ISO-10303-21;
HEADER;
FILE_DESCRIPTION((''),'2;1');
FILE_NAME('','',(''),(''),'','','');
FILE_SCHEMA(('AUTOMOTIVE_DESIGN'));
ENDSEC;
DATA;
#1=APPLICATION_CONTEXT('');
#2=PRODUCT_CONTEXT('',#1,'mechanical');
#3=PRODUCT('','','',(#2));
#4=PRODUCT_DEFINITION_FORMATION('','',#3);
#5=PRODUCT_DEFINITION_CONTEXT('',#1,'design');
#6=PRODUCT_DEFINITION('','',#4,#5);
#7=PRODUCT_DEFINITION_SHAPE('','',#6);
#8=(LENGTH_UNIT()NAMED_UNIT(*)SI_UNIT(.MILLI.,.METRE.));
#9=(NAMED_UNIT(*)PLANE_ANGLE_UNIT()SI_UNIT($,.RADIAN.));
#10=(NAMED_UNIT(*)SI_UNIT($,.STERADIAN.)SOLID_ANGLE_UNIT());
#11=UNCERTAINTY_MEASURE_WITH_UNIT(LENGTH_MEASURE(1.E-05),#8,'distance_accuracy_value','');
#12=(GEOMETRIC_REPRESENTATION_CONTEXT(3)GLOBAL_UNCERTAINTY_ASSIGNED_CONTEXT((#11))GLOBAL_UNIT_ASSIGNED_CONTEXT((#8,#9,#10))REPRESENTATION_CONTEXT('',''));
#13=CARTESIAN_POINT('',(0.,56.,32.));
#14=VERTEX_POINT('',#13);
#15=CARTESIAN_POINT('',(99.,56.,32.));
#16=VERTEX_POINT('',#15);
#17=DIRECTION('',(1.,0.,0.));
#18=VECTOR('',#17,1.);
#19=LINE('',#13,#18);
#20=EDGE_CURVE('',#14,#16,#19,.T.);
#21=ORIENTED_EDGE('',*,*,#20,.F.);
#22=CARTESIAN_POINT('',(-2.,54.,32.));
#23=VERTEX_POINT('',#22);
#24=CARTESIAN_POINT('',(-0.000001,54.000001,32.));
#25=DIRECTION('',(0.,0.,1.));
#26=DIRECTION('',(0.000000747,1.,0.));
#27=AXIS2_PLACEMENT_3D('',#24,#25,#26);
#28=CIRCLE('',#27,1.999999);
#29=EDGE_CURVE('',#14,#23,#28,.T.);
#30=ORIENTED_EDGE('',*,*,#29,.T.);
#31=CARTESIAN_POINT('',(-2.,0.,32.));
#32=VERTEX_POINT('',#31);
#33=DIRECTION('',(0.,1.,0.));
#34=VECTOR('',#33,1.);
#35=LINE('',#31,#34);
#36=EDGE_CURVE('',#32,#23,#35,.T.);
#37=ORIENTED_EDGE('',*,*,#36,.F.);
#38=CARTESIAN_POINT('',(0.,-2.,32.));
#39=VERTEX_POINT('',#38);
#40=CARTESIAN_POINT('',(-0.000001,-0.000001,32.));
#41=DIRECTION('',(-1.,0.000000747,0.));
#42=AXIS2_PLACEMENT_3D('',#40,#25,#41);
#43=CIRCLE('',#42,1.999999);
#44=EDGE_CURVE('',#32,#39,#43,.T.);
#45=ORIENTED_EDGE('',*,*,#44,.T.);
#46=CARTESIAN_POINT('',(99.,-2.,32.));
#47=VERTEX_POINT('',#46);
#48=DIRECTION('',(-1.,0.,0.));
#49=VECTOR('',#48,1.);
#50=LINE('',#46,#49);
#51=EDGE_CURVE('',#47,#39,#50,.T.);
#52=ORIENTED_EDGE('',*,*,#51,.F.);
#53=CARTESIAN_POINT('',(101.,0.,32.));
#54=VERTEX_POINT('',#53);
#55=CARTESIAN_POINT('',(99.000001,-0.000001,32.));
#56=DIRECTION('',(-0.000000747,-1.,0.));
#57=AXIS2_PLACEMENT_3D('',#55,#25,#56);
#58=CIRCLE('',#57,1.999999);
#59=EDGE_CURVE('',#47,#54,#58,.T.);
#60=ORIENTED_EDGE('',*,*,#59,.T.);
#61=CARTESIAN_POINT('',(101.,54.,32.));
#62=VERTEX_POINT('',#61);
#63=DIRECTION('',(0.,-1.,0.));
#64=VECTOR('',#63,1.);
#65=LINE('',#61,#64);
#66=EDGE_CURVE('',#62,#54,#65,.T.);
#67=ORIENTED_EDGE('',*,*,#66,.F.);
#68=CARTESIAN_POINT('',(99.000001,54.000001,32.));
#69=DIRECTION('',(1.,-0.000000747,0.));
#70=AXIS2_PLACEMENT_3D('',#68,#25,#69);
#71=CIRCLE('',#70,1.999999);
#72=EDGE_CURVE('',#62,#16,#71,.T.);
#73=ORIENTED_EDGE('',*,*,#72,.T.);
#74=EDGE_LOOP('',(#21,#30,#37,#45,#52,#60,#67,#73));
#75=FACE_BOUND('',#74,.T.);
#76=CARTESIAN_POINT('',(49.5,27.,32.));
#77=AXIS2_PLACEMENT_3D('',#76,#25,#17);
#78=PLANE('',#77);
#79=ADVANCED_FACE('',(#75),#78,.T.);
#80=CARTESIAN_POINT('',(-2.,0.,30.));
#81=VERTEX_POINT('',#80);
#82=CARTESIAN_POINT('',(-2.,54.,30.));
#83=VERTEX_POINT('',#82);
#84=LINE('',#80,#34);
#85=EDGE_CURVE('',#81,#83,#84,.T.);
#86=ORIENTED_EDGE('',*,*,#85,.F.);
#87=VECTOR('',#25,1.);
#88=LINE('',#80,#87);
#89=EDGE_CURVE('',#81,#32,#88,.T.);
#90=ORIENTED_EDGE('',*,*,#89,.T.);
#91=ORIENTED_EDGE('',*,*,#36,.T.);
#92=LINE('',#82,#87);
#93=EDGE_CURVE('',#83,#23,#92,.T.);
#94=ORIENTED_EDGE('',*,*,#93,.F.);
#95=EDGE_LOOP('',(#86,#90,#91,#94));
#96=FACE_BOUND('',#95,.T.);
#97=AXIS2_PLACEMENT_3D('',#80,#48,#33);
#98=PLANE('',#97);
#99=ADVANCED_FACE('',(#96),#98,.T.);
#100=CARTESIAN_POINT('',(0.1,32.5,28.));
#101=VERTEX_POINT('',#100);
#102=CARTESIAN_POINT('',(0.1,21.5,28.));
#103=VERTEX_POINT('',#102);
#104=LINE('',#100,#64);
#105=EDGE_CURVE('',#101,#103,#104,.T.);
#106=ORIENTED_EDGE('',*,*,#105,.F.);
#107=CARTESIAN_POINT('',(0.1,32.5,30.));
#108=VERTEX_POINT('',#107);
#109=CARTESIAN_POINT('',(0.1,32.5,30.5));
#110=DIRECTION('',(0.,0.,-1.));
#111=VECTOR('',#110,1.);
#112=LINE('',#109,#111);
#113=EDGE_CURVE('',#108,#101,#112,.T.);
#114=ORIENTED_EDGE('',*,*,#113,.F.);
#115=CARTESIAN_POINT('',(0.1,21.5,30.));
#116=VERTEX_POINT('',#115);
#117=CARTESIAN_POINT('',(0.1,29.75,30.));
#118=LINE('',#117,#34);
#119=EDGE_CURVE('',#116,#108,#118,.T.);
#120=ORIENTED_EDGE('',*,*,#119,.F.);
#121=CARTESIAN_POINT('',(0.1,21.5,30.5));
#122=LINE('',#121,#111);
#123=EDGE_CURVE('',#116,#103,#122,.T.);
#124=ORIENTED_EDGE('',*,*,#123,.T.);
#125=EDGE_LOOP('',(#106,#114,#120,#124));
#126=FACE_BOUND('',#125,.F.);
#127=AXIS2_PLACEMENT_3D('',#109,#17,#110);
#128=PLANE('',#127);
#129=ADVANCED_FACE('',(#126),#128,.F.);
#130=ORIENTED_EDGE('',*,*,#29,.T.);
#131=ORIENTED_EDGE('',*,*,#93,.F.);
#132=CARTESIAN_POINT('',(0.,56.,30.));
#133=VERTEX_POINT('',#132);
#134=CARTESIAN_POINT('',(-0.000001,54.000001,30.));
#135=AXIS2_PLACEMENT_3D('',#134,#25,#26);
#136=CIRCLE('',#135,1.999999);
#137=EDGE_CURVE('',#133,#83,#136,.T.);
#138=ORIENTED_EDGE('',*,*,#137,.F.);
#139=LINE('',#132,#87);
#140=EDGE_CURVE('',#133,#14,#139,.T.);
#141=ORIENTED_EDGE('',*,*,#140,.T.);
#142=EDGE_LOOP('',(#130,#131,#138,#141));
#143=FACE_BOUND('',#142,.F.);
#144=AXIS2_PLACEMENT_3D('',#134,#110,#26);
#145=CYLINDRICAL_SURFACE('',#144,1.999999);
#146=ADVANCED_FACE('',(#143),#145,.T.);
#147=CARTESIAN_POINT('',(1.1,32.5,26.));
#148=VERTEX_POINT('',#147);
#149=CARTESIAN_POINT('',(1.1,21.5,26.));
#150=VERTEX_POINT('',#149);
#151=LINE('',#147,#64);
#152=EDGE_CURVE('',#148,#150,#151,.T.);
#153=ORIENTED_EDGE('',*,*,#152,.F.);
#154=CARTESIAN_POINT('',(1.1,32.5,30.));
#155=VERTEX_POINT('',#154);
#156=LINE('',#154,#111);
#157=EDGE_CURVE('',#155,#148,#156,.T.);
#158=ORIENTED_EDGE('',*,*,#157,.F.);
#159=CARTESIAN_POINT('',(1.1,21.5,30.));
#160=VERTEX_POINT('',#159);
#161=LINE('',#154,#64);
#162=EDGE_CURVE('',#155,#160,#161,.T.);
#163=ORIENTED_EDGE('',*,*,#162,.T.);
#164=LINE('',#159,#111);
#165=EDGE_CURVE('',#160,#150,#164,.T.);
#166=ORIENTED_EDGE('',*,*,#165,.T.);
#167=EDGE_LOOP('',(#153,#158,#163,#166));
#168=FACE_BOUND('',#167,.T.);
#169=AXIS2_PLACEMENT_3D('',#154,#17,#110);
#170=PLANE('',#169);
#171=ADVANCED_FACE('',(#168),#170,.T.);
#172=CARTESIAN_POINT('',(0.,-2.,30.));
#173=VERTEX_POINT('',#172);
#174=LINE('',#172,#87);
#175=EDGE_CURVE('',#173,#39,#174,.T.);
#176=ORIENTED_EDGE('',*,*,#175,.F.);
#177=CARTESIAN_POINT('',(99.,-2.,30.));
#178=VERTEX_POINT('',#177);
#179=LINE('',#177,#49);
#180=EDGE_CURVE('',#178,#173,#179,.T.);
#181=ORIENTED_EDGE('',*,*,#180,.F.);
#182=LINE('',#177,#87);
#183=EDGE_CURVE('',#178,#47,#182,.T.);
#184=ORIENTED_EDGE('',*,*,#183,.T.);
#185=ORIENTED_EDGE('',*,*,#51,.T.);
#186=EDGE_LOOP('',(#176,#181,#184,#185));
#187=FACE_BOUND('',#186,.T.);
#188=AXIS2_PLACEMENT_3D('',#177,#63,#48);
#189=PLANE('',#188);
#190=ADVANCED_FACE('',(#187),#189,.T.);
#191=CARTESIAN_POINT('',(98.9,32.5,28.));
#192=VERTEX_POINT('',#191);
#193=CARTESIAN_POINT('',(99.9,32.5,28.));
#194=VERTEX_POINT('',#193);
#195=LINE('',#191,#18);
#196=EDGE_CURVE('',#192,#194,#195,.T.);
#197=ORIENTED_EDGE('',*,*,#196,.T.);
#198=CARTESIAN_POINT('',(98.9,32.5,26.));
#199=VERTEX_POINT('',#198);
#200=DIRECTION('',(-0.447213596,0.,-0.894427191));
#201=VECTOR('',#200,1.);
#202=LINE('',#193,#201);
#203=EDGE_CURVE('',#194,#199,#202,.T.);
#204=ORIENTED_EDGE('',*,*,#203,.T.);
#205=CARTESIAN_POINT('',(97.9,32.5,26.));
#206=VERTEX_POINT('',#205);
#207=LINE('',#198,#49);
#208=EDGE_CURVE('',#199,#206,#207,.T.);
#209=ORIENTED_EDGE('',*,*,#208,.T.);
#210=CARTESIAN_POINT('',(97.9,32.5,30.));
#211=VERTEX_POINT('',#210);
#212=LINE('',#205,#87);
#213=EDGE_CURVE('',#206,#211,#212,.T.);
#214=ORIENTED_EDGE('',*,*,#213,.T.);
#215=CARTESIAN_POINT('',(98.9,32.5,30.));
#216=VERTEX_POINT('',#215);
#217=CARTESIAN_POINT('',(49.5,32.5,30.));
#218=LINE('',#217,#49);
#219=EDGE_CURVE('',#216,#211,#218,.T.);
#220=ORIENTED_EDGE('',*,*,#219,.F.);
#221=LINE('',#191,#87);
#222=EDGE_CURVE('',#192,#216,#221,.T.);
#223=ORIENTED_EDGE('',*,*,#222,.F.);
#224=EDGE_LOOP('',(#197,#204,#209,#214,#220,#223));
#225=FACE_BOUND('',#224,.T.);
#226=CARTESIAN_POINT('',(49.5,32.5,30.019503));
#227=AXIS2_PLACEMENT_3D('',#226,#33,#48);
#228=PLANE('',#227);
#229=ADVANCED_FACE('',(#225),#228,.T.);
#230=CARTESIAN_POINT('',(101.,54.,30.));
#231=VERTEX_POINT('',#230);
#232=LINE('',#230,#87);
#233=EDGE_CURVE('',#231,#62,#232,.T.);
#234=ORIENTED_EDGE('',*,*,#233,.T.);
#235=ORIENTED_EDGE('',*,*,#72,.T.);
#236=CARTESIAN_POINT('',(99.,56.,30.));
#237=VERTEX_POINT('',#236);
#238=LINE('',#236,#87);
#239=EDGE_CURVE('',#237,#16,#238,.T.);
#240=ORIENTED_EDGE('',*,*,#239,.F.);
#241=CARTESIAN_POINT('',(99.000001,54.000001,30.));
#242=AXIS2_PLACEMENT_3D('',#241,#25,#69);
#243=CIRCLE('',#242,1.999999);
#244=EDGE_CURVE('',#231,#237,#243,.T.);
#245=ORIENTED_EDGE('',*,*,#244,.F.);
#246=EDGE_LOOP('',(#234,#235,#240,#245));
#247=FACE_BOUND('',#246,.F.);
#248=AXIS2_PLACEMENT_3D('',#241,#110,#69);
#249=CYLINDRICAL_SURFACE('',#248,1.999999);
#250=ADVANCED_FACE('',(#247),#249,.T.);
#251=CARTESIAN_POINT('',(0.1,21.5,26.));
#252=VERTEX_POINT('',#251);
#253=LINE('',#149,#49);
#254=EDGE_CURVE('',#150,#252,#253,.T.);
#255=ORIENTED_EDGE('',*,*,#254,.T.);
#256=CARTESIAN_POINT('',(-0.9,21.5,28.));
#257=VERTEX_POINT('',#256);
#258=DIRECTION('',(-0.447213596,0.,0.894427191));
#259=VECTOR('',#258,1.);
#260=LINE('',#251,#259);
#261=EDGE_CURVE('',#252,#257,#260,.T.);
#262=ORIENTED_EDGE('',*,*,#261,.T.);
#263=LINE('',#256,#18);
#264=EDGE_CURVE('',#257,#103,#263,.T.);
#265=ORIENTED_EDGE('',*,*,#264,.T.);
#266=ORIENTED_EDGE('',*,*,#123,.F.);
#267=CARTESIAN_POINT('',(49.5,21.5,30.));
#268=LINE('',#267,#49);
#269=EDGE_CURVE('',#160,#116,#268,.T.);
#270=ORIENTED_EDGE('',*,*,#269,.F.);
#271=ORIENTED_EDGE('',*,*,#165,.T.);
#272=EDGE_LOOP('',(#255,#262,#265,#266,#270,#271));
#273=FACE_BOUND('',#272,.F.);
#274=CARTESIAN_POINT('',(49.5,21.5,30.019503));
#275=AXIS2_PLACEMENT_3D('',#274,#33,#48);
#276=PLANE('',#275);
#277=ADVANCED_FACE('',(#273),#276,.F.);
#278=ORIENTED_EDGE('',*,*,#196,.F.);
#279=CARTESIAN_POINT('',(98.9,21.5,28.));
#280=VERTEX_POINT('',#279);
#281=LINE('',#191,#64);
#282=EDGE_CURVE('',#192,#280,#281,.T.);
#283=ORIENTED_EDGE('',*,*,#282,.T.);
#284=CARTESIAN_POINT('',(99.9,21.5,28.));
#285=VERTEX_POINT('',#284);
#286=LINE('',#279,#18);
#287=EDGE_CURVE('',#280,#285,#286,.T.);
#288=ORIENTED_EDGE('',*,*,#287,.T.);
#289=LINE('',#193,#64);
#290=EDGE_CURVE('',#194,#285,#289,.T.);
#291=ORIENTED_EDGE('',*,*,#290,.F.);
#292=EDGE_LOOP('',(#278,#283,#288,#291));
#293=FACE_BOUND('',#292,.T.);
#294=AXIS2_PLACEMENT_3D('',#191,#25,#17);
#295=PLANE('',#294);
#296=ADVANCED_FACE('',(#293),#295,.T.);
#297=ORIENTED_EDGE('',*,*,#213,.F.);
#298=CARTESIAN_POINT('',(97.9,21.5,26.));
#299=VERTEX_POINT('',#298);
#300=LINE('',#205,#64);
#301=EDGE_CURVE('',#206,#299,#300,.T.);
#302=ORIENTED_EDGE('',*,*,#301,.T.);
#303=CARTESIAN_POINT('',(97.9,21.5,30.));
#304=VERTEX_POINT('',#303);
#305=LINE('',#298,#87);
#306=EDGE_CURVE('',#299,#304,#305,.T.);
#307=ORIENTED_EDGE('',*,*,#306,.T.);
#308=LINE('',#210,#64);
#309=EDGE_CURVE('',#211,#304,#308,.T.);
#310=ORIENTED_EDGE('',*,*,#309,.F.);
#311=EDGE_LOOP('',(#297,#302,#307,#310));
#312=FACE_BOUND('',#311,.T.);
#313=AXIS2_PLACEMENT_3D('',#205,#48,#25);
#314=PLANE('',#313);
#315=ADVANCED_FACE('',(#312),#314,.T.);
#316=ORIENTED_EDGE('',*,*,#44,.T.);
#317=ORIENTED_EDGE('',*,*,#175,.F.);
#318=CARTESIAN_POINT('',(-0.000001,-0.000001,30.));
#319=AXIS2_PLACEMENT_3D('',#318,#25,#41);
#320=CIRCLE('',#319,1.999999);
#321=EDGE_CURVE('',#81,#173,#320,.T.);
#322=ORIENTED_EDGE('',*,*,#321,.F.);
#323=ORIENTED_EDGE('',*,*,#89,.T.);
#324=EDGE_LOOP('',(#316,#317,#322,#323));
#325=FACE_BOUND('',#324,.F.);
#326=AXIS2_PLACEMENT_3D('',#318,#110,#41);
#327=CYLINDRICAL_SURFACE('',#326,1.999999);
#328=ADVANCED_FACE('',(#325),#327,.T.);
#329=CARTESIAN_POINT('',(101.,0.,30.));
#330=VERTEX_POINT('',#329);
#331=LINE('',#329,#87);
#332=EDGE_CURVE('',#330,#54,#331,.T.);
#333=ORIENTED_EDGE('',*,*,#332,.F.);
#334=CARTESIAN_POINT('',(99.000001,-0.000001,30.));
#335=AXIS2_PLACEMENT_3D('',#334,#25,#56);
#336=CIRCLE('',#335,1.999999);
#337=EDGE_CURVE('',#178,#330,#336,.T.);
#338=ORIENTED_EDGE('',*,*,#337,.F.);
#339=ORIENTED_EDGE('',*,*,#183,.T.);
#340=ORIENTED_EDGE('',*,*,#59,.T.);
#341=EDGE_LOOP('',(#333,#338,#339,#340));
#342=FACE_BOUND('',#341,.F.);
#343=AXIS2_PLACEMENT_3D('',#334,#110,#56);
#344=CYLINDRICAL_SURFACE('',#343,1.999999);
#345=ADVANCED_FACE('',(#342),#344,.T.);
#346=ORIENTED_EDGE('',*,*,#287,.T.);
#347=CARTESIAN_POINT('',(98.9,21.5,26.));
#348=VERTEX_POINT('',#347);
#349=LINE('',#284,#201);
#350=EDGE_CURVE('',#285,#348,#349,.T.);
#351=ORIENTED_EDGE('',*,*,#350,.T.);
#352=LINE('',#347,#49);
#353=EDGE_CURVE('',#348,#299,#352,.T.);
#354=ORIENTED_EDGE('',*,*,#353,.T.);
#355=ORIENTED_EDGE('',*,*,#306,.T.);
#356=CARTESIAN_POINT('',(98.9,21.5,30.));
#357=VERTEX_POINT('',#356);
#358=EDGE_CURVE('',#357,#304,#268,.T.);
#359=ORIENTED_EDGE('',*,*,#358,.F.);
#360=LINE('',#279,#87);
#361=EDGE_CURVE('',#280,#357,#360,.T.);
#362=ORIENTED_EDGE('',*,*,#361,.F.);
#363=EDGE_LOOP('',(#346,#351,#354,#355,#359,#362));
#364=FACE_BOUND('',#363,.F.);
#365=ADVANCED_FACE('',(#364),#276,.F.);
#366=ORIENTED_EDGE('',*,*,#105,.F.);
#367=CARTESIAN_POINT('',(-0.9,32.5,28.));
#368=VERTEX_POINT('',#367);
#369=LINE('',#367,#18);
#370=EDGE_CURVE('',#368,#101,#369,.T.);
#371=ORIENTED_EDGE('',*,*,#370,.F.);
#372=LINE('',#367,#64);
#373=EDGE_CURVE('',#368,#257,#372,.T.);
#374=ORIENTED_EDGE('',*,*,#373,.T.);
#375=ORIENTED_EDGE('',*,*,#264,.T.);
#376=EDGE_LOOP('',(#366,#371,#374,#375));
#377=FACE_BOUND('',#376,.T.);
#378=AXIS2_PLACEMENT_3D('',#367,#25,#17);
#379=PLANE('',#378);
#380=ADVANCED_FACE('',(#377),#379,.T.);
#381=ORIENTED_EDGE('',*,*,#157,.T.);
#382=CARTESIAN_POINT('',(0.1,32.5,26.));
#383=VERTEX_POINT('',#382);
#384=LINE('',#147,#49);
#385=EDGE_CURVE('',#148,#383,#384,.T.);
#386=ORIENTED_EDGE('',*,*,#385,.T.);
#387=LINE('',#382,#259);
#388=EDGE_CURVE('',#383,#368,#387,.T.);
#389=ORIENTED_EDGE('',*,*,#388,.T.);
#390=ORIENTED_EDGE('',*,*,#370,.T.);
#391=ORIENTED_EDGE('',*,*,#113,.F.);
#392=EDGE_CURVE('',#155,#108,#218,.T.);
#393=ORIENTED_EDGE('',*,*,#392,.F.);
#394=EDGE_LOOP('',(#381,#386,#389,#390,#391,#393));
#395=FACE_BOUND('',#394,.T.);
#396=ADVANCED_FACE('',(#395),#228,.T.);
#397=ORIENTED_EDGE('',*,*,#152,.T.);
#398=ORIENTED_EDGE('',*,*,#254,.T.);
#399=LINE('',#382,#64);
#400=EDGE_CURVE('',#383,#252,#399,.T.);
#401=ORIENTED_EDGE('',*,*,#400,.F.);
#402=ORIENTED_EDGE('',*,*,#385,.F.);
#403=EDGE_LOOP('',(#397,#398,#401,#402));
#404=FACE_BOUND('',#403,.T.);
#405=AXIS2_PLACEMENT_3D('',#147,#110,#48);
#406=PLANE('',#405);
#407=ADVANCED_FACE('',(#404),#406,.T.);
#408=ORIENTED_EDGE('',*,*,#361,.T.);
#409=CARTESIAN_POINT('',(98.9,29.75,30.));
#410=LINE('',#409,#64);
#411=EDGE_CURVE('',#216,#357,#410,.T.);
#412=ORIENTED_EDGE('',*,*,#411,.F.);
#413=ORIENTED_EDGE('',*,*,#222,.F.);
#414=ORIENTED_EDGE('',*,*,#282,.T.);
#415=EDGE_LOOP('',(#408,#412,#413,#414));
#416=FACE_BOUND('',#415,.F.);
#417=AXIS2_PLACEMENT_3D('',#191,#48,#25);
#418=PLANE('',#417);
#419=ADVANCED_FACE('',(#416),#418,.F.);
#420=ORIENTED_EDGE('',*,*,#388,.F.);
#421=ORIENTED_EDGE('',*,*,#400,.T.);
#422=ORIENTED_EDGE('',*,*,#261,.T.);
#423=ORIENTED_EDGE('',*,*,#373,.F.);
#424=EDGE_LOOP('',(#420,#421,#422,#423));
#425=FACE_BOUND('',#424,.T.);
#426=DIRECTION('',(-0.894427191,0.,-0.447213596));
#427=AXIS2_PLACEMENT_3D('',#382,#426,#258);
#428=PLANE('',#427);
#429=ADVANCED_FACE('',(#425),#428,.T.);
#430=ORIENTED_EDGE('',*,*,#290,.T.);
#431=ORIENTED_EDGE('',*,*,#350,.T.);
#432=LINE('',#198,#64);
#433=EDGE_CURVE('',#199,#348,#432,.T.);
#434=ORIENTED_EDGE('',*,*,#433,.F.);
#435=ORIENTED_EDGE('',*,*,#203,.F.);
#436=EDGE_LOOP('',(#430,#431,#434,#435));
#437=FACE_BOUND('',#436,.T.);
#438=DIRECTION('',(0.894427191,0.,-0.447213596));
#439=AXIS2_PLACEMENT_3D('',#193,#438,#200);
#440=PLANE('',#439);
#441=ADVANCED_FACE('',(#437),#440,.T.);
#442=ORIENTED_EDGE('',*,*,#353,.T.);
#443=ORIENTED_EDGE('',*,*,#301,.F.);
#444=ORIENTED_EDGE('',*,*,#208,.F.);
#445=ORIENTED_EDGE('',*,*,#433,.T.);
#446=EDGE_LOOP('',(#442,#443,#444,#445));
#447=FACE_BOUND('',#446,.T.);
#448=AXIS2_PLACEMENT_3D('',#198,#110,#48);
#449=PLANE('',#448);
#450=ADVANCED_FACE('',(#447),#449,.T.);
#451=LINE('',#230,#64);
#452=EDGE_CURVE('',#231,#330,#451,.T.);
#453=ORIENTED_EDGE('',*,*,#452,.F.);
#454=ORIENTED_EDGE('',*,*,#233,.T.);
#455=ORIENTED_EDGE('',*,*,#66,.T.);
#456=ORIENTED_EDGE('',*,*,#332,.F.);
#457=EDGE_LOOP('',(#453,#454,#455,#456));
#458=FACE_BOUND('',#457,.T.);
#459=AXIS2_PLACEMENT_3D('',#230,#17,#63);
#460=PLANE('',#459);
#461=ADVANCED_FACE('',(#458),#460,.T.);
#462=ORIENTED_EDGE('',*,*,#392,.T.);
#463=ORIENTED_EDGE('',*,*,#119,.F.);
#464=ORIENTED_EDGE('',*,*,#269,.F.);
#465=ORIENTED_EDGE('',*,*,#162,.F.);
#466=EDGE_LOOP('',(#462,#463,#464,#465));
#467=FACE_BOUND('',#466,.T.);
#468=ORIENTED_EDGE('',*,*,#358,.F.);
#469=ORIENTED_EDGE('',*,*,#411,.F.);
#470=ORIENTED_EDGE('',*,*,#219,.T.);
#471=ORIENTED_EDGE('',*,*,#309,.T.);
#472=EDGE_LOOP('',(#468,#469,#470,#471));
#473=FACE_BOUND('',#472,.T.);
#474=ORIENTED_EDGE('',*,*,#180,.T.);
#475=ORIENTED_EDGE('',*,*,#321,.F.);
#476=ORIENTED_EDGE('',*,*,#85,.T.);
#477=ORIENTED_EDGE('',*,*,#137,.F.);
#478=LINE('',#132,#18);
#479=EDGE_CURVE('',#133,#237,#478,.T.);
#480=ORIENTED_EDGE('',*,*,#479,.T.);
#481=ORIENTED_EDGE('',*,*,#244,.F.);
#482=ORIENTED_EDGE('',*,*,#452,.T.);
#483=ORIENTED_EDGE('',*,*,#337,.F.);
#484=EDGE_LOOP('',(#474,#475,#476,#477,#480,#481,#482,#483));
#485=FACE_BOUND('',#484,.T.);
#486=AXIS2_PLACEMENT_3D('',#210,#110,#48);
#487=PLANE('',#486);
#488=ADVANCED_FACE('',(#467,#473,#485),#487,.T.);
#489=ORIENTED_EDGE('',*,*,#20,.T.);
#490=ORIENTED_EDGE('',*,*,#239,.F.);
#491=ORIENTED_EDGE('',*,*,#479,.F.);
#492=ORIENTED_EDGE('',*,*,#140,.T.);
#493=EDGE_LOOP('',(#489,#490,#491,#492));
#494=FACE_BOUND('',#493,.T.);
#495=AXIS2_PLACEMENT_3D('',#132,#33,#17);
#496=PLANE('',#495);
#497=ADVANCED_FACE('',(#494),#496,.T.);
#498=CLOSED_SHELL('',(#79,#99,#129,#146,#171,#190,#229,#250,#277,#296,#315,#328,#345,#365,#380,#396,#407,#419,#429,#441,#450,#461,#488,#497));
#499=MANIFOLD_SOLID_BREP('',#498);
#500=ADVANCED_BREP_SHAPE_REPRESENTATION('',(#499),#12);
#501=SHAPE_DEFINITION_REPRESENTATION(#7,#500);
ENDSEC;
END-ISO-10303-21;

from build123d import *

# Parameters (mm, degrees)
PAD002_DEPTH = 11
PAD001_DEPTH = 2


with BuildPart() as latches:
    # Sketch002 → Pad002 (new body)
    with BuildSketch(Plane.XZ):
        Polygon((1.5, 0), (1.5, -4), (0.5, -4), (-0.5, -2), (0.5, -2), (0.5, 0), (0.5, 0.5), (99.3, 0.5), (99.3, 0), (99.3, -2), (100.3, -2), (99.3, -4), (98.3, -4), (98.3, 0), align=None)
    extrude(amount=PAD002_DEPTH)


with BuildPart() as latches_1:
    # Body002 placement: moved
    add(latches.part.moved(Location((-0.4, 32.5, 0))))


with BuildPart() as lidfull:
    # Sketch001 → Pad001 (new body)
    with BuildSketch(Plane.XY):
        with BuildLine():
            ThreePointArc((0, 56), (-1.414214, 55.414214), (-2, 54))
            Line((-2, 0), (-2, 54))
            ThreePointArc((-2, 0), (-1.414214, -1.414214), (0, -2))
            Line((99, -2), (0, -2))
            ThreePointArc((99, -2), (100.414214, -1.414214), (101, 0))
            Line((101, 54), (101, 0))
            ThreePointArc((101, 54), (100.414214, 55.414214), (99, 56))
            Line((0, 56), (99, 56))
        make_face()
    extrude(amount=PAD001_DEPTH)

    # Fusion002: union Latches
    add(latches_1.part)


with BuildPart() as lidfull_1:
    # Fusion002 placement: moved
    add(lidfull.part.moved(Location((0, 0, 30))))


solid = lidfull_1.part
